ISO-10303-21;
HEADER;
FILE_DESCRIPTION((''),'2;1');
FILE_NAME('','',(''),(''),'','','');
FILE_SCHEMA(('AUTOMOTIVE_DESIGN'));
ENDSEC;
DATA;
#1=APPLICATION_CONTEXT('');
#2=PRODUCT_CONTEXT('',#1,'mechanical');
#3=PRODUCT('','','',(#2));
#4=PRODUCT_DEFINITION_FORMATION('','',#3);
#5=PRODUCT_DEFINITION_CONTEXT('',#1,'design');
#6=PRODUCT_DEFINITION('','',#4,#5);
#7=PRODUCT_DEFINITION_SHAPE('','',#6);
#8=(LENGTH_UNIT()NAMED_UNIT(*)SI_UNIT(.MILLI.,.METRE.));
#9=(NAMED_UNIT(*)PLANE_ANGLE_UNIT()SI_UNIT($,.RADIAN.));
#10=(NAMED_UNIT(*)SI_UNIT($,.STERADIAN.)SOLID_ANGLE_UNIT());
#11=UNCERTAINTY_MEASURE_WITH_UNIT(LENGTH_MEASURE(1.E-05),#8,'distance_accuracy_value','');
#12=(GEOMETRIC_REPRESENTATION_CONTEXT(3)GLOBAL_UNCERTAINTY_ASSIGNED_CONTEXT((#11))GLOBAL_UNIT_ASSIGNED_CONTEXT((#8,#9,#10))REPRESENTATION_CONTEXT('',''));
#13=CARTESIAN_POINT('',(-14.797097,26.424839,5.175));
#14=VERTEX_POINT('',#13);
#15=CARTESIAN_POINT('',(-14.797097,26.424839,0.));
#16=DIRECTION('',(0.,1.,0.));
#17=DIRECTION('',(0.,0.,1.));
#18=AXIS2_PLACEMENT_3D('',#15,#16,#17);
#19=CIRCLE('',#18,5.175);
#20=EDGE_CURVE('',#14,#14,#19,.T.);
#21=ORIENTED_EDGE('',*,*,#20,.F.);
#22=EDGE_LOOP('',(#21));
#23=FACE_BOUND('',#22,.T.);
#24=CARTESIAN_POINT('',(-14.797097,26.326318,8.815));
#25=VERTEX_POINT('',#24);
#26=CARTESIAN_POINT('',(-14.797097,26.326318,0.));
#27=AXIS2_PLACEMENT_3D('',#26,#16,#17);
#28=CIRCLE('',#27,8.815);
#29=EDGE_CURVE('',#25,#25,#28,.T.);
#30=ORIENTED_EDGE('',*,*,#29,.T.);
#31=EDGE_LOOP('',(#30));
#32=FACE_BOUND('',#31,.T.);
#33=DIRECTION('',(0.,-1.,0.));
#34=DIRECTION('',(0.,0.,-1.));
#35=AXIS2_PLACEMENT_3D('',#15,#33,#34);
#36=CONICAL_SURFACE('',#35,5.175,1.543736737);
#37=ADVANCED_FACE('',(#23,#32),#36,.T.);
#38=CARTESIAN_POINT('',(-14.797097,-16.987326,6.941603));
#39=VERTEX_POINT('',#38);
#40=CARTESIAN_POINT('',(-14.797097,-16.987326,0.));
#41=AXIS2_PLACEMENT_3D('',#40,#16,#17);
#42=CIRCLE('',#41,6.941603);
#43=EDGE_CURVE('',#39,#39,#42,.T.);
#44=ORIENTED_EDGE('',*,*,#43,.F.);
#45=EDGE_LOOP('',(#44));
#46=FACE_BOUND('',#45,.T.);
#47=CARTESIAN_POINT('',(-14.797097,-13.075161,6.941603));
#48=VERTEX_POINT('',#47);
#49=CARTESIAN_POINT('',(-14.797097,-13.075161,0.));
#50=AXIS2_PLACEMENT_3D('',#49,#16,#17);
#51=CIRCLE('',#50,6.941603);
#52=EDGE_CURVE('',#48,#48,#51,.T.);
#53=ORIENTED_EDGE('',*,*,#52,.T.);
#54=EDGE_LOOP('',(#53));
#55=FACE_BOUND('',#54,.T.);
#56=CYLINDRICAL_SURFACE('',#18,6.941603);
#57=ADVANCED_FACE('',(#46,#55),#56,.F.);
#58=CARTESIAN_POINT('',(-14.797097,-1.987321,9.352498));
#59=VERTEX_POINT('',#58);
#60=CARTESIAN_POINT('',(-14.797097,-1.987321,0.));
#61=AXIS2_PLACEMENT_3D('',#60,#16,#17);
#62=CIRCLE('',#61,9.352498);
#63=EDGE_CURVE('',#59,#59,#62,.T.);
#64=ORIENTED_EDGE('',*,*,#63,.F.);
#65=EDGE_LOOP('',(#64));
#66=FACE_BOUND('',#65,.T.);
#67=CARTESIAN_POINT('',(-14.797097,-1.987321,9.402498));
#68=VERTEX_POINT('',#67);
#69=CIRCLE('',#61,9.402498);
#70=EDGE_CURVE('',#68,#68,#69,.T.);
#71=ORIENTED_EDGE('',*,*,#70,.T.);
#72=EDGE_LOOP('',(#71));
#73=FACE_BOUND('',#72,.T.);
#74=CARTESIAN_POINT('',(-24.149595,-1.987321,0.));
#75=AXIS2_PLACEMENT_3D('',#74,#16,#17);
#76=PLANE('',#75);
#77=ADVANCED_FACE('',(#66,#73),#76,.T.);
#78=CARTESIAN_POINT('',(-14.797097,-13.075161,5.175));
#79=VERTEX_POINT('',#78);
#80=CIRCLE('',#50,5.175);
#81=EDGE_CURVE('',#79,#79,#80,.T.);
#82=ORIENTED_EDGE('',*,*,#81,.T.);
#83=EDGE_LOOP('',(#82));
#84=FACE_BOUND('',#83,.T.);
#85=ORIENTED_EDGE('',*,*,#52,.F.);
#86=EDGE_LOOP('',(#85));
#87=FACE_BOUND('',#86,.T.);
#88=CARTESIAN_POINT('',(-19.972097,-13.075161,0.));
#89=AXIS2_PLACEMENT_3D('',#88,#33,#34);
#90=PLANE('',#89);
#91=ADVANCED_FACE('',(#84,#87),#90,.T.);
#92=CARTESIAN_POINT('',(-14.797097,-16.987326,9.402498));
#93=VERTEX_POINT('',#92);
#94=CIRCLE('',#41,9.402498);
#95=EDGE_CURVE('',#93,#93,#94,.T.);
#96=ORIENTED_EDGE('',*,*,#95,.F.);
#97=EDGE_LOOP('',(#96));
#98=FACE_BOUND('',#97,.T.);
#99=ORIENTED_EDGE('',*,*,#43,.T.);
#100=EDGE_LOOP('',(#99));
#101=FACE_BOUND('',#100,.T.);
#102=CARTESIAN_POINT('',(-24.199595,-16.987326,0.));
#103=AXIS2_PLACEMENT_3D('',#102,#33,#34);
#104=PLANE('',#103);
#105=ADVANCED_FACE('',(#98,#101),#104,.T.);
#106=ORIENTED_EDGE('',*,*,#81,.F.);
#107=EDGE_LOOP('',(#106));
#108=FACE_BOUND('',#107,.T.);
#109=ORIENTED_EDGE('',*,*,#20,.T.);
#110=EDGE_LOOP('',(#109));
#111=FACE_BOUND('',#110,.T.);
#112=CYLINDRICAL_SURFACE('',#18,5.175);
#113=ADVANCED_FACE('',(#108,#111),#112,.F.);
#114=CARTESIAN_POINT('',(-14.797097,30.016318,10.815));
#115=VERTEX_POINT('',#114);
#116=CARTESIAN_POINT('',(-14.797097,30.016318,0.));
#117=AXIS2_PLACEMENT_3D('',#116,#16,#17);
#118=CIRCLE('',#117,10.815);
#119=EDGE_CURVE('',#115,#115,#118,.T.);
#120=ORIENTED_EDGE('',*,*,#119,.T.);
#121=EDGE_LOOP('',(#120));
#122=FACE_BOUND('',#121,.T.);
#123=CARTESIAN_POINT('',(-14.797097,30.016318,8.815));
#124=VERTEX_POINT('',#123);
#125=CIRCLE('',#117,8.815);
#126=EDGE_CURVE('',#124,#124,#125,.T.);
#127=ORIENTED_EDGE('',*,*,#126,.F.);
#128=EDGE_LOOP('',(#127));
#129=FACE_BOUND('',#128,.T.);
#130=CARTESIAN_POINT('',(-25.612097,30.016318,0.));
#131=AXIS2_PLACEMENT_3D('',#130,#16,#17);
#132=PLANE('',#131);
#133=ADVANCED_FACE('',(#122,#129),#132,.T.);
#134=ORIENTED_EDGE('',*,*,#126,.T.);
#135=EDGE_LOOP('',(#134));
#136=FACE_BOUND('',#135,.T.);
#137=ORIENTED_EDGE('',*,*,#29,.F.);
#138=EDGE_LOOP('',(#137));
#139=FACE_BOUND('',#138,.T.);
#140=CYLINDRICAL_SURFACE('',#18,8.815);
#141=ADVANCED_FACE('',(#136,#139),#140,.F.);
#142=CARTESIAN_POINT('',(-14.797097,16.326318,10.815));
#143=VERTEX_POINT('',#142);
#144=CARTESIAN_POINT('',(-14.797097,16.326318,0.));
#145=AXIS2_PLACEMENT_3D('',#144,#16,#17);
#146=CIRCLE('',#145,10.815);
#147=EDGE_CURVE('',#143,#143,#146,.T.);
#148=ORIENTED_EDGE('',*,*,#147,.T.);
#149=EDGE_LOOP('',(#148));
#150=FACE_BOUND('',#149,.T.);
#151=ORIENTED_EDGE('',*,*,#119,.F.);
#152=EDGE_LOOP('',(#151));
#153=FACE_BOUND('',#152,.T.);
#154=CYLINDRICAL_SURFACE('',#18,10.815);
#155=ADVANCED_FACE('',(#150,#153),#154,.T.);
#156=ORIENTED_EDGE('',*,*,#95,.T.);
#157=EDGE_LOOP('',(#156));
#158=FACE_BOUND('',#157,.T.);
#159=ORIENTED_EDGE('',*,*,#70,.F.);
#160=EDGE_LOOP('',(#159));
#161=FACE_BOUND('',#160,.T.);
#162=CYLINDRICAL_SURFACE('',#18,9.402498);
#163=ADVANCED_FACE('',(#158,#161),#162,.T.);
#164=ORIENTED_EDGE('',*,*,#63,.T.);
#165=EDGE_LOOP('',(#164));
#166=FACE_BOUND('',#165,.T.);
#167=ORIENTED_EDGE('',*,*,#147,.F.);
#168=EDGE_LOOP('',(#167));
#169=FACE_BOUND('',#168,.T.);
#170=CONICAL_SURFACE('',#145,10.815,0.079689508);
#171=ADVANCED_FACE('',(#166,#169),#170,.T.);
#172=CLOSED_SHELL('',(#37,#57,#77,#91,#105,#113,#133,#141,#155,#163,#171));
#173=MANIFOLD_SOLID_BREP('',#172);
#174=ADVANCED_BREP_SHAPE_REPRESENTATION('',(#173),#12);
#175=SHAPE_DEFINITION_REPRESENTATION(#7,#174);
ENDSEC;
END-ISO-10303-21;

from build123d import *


with BuildPart() as part:
    # Sketch1 → Revolve1 (revolve)
    with BuildSketch(Plane.XY, mode=Mode.PRIVATE) as revolve1_sk:
        Polygon((-21.738699739, -13.07516129), (-21.738699739, -16.987325897), (-24.199594923, -16.987325897), (-24.199594923, -1.987321203), (-24.149594923, -1.987321203), (-25.61209695, 16.326317755), (-25.61209695, 26.326317755), (-25.61209695, 30.016317755), (-23.61209695, 30.016317755), (-23.61209695, 26.326317755), (-19.97209695, 26.42483871), (-19.97209695, -13.07516129), align=None)
    revolve(revolve1_sk.sketch.rotate(Axis((-14.79709695, 26.42483871, 0), (0, -1, 0)), 270), axis=Axis((-14.79709695, 26.42483871, 0), (0, -1, 0)))


solid = part.part
